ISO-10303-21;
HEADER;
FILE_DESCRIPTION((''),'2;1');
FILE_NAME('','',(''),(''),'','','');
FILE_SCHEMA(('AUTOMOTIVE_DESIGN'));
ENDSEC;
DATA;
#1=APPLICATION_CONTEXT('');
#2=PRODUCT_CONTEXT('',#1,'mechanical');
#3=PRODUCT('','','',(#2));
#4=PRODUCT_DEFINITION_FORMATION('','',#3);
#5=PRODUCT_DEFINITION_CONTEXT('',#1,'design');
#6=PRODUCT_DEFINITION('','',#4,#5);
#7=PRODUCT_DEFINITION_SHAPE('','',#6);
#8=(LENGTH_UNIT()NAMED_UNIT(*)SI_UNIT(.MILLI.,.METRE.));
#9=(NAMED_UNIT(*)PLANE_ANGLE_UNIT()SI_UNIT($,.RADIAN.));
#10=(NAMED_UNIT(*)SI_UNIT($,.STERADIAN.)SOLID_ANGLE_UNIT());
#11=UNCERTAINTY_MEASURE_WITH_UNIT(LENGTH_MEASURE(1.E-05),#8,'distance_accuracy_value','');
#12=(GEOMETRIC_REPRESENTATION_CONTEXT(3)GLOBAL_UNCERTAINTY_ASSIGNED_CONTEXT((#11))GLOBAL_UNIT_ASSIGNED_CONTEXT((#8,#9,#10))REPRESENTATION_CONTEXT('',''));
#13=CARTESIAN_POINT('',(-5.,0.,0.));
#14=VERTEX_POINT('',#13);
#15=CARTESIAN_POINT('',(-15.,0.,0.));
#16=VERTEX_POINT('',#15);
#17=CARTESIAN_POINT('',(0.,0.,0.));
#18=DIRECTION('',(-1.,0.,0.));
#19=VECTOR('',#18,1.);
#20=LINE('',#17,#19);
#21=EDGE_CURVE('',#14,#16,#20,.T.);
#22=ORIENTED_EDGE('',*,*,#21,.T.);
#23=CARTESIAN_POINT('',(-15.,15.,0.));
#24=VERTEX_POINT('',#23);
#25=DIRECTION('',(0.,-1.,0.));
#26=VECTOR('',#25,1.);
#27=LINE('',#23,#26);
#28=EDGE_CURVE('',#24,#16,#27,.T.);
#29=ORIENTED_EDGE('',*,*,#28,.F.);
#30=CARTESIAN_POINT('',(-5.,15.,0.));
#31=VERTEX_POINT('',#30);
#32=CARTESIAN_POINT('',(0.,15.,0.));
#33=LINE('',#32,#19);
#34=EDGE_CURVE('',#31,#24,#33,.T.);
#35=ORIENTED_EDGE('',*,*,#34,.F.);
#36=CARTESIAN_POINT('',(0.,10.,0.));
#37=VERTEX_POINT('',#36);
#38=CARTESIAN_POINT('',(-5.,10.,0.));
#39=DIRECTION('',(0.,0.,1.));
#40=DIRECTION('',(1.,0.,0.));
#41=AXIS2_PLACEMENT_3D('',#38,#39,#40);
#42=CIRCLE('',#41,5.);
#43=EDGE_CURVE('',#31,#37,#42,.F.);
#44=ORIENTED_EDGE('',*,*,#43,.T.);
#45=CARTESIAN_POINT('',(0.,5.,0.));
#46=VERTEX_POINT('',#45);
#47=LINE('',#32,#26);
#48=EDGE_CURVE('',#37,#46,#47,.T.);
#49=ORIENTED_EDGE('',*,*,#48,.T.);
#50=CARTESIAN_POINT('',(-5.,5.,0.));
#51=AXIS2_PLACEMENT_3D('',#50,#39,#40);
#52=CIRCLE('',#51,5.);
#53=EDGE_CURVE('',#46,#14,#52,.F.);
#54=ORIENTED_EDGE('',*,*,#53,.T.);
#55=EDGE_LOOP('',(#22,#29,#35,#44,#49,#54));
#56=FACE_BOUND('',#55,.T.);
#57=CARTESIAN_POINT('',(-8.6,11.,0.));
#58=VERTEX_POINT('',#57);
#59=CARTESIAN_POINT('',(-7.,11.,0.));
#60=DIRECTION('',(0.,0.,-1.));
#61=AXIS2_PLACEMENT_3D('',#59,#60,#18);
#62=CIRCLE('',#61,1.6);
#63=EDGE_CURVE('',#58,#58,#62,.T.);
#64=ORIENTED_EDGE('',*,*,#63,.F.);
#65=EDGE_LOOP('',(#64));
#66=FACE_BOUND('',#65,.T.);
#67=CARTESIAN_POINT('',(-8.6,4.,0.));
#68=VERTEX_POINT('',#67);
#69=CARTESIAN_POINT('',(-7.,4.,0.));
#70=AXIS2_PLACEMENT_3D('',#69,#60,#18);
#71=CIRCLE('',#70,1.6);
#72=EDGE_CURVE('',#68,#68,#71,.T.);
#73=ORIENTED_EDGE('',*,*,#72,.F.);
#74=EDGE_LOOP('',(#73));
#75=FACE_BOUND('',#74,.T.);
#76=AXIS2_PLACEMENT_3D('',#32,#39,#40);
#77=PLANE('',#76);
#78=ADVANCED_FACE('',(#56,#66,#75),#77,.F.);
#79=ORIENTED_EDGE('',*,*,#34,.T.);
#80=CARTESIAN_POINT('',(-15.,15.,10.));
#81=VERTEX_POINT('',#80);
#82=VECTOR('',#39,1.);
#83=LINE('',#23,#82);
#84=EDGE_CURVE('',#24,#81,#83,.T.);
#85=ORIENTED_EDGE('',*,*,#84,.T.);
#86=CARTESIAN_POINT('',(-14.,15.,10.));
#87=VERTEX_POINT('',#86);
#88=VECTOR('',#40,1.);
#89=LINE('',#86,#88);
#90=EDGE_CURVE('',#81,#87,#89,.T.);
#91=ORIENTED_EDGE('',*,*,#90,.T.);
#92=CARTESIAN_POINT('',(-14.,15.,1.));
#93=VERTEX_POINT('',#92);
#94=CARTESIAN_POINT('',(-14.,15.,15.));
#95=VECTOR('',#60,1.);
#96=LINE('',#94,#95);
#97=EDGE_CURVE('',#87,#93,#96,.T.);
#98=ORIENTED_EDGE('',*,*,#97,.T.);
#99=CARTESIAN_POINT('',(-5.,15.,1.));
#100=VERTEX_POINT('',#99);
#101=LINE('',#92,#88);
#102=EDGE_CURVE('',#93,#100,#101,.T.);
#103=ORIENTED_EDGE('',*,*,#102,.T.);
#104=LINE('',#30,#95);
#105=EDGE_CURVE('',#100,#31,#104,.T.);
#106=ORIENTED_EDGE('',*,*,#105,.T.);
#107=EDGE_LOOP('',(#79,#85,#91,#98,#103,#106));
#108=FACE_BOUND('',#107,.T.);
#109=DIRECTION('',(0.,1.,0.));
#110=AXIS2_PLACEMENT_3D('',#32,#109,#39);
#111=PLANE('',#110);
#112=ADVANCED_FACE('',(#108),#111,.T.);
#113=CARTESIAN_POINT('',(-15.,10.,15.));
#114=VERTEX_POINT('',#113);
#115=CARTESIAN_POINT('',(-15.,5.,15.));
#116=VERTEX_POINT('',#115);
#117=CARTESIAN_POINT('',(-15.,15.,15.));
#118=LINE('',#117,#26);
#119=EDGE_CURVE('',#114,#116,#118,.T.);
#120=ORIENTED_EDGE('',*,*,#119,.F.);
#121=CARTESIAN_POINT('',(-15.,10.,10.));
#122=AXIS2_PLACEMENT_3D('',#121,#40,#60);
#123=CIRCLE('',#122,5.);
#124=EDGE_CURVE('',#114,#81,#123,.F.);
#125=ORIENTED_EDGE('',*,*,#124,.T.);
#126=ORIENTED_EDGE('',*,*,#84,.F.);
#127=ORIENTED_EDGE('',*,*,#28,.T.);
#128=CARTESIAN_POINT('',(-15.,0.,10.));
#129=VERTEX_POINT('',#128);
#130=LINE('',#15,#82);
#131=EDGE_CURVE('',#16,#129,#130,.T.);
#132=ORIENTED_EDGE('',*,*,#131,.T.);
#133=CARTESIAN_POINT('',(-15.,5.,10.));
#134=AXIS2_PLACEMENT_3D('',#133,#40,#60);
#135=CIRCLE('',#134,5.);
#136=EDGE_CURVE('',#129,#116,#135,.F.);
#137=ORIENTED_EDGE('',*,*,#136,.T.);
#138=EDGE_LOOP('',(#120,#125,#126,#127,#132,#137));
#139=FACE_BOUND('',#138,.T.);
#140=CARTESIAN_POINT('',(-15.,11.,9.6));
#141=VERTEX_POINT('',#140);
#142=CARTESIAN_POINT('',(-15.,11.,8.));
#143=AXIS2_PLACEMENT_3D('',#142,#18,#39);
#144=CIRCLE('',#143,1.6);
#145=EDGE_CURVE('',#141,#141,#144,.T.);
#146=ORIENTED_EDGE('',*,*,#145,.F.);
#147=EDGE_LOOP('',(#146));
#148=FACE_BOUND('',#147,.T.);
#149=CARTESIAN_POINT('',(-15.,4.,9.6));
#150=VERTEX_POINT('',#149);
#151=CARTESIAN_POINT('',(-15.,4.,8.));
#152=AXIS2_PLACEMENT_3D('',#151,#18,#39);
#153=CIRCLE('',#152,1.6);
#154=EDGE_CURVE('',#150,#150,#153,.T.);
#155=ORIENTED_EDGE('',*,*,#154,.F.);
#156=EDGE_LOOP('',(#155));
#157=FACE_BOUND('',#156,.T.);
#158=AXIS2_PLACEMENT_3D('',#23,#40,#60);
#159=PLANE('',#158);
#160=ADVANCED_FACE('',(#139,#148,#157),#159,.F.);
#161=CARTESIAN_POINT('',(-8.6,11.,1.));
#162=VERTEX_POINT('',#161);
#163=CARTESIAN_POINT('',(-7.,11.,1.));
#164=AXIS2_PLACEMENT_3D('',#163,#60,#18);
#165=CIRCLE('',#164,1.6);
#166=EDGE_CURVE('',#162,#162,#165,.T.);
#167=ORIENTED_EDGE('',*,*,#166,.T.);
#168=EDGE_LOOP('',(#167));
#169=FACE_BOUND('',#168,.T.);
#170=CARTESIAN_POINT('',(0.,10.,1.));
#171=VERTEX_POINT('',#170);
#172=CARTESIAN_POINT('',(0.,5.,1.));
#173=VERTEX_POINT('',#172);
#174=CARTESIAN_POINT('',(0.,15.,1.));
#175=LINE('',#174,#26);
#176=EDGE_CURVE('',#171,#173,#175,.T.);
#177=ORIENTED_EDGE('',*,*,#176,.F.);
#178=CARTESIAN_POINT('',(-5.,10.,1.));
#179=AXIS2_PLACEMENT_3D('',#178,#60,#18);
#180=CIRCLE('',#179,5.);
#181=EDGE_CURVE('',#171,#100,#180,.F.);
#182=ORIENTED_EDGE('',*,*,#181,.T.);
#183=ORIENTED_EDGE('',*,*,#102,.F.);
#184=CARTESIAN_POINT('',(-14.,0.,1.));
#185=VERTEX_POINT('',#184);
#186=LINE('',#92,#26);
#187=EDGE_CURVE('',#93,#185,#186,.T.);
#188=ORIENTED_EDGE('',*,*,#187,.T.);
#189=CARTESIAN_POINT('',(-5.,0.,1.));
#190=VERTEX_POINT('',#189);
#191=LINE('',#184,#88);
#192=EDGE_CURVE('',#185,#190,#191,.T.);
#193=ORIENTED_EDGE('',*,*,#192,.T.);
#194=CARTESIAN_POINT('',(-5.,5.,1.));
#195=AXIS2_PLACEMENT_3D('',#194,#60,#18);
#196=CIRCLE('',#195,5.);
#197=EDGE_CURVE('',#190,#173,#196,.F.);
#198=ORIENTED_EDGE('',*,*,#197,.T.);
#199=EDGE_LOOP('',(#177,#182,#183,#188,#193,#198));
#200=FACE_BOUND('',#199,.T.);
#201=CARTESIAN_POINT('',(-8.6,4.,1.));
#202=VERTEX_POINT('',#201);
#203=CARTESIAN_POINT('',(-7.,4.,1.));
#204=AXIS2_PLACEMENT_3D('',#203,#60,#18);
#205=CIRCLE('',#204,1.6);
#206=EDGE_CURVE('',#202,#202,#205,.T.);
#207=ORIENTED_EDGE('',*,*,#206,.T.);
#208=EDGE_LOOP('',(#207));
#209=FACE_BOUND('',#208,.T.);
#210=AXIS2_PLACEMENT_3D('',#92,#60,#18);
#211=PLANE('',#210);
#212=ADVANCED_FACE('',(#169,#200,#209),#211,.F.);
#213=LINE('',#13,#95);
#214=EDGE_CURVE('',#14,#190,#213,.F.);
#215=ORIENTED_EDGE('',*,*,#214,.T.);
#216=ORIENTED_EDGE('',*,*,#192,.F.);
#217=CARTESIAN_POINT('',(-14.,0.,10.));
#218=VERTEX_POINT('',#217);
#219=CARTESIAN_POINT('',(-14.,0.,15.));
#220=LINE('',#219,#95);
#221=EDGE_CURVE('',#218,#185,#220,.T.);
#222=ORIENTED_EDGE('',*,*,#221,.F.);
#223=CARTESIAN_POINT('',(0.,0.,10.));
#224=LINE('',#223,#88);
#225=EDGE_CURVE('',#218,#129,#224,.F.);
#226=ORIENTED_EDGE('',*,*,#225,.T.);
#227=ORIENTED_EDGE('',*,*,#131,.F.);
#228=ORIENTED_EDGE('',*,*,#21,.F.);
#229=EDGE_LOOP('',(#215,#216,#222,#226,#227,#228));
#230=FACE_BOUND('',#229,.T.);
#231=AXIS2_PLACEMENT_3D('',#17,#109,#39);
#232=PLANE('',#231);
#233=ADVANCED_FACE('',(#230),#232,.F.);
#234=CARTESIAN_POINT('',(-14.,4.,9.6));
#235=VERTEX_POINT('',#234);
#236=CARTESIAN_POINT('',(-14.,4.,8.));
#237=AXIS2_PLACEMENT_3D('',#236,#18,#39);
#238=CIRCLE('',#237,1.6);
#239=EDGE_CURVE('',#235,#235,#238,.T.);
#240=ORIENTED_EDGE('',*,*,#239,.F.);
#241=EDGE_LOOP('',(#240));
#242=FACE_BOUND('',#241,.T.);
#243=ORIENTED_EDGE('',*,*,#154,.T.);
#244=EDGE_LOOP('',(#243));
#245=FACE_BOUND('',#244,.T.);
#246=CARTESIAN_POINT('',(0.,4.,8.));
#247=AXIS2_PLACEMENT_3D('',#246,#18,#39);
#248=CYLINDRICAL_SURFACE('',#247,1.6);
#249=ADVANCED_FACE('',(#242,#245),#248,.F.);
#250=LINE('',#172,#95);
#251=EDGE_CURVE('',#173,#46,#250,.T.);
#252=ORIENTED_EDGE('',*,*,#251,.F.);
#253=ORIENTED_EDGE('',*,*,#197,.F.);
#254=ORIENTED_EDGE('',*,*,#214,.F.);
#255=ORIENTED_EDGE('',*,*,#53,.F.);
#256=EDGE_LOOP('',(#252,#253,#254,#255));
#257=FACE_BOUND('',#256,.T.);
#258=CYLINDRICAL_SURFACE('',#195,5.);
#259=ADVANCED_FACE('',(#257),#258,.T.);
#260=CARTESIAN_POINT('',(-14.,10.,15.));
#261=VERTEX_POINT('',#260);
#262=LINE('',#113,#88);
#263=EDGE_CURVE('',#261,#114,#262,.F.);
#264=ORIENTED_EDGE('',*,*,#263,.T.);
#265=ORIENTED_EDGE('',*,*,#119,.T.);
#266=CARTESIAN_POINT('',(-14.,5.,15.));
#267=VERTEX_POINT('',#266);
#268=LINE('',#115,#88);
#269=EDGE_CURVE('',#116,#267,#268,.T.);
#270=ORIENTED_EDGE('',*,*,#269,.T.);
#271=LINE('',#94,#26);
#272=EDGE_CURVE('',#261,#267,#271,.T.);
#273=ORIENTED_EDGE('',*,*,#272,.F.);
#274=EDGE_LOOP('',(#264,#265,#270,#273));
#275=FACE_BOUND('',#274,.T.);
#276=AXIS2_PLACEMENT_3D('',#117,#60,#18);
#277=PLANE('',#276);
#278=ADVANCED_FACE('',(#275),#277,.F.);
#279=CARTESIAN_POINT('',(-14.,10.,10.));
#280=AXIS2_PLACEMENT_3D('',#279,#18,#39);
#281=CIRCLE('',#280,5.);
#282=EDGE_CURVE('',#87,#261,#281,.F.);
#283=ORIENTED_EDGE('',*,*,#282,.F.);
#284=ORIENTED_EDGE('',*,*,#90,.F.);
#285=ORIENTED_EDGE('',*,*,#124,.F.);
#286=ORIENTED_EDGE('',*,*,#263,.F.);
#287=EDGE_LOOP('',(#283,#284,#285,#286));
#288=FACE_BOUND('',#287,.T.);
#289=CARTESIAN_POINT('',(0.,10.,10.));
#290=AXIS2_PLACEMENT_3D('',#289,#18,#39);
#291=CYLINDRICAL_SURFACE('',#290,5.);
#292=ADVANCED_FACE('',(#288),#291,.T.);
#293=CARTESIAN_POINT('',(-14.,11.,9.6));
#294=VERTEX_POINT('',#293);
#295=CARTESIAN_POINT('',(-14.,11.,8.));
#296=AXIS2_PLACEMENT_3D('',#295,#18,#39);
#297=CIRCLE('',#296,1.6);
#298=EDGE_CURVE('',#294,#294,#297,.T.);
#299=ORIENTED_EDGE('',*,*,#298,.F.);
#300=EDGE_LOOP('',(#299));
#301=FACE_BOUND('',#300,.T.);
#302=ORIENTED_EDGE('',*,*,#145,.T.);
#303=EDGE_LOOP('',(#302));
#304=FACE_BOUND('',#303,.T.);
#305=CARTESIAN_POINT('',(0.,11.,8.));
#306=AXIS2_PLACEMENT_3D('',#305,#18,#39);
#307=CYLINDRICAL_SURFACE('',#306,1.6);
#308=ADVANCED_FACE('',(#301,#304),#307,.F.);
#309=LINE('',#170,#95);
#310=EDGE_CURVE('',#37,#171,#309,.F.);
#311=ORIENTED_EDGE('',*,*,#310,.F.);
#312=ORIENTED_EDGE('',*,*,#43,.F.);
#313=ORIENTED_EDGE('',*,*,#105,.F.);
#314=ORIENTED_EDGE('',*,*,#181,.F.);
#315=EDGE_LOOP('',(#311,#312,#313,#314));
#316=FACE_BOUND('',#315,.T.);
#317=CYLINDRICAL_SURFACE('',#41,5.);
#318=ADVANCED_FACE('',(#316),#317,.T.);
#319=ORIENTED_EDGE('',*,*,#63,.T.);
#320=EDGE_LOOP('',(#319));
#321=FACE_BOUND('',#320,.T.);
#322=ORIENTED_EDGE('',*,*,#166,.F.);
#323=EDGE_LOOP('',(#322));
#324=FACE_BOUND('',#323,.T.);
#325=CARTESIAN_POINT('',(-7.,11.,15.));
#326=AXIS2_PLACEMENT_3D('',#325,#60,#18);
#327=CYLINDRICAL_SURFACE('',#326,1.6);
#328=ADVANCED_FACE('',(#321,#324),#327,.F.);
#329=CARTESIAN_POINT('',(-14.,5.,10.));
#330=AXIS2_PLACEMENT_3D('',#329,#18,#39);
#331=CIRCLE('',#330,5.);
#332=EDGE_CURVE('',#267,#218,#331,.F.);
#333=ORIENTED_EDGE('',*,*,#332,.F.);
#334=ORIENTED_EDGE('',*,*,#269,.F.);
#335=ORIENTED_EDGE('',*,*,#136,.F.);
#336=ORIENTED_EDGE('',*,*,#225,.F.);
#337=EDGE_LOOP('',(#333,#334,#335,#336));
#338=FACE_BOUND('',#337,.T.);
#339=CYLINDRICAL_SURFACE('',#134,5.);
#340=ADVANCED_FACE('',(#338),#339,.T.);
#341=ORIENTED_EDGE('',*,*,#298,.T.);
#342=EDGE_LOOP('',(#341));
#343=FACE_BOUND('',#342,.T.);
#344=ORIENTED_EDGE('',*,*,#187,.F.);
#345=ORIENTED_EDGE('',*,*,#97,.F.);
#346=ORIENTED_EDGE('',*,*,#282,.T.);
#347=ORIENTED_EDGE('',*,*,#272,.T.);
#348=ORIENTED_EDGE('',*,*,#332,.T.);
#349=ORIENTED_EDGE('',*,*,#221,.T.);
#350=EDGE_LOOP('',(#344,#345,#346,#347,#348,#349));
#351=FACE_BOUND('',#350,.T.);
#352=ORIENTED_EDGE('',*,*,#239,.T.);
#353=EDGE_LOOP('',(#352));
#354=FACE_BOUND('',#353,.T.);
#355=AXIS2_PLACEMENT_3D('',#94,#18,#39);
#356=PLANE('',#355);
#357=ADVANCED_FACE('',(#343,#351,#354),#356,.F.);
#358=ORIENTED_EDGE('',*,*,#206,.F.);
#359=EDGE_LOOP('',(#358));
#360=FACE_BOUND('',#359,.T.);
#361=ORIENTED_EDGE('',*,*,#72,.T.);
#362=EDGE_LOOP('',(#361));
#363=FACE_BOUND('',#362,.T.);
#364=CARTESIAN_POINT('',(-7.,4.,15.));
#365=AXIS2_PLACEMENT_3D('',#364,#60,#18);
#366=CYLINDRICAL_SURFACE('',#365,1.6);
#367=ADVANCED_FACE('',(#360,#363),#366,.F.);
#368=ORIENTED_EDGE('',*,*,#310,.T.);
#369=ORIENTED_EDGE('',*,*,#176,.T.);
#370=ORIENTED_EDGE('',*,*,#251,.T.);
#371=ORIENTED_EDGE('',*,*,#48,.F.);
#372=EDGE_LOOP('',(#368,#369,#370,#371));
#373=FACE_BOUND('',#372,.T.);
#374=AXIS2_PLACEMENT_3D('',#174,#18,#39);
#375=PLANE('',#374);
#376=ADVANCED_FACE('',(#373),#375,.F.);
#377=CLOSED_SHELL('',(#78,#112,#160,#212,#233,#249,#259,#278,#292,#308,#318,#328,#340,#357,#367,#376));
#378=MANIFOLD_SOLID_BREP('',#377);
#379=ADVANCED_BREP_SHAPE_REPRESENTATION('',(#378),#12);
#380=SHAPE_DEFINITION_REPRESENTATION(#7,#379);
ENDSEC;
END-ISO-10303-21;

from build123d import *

# Parameters (mm, degrees)
EXTRUDE_1_DEPTH     = 15
FILLET_1_R          = 5
SKETCH_2_R          = 1.6
CUT_EXTRUDE_1_DEPTH = 15
SKETCH_3_R          = 1.6
CUT_EXTRUDE_2_DEPTH = 15


with BuildPart() as part:
    # 草图1 → 凸台-拉伸1 (new body)
    with BuildSketch(Plane(origin=(0, 0, 0), x_dir=(1, 0, 0), z_dir=(0, 1, 0))):
        Polygon((0, 0), (-15, 0), (-15, -15), (-14, -15), (-14, -1), (0, -1), align=None)
    extrude(amount=EXTRUDE_1_DEPTH)

    # 圆角1
    fillet_1_edges = [part.edges().sort_by_distance(p)[0] for p in [
        (-14.5, 15, 15),
        (0, 15, 0.5),
        (-14.5, 0, 15),
        (0, 0, 0.5),
    ]]
    fillet(fillet_1_edges, radius=FILLET_1_R)

    # 草图2 → 切除-拉伸1 (cut)
    with BuildSketch(Plane(origin=(0, 0, 0), x_dir=(-1, 0, 0), z_dir=(0, 0, -1))):
        with Locations((7, 11)):
            Circle(SKETCH_2_R)
        with Locations((7, 4)):
            Circle(SKETCH_2_R)
    extrude(amount=-CUT_EXTRUDE_1_DEPTH, mode=Mode.SUBTRACT)

    # 草图3 → 切除-拉伸2 (cut)
    with BuildSketch(Plane.ZY.offset(15)):
        with Locations((8, 11)):
            Circle(SKETCH_3_R)
        with Locations((8, 4)):
            Circle(SKETCH_3_R)
    extrude(amount=-CUT_EXTRUDE_2_DEPTH, mode=Mode.SUBTRACT)


solid = part.part
